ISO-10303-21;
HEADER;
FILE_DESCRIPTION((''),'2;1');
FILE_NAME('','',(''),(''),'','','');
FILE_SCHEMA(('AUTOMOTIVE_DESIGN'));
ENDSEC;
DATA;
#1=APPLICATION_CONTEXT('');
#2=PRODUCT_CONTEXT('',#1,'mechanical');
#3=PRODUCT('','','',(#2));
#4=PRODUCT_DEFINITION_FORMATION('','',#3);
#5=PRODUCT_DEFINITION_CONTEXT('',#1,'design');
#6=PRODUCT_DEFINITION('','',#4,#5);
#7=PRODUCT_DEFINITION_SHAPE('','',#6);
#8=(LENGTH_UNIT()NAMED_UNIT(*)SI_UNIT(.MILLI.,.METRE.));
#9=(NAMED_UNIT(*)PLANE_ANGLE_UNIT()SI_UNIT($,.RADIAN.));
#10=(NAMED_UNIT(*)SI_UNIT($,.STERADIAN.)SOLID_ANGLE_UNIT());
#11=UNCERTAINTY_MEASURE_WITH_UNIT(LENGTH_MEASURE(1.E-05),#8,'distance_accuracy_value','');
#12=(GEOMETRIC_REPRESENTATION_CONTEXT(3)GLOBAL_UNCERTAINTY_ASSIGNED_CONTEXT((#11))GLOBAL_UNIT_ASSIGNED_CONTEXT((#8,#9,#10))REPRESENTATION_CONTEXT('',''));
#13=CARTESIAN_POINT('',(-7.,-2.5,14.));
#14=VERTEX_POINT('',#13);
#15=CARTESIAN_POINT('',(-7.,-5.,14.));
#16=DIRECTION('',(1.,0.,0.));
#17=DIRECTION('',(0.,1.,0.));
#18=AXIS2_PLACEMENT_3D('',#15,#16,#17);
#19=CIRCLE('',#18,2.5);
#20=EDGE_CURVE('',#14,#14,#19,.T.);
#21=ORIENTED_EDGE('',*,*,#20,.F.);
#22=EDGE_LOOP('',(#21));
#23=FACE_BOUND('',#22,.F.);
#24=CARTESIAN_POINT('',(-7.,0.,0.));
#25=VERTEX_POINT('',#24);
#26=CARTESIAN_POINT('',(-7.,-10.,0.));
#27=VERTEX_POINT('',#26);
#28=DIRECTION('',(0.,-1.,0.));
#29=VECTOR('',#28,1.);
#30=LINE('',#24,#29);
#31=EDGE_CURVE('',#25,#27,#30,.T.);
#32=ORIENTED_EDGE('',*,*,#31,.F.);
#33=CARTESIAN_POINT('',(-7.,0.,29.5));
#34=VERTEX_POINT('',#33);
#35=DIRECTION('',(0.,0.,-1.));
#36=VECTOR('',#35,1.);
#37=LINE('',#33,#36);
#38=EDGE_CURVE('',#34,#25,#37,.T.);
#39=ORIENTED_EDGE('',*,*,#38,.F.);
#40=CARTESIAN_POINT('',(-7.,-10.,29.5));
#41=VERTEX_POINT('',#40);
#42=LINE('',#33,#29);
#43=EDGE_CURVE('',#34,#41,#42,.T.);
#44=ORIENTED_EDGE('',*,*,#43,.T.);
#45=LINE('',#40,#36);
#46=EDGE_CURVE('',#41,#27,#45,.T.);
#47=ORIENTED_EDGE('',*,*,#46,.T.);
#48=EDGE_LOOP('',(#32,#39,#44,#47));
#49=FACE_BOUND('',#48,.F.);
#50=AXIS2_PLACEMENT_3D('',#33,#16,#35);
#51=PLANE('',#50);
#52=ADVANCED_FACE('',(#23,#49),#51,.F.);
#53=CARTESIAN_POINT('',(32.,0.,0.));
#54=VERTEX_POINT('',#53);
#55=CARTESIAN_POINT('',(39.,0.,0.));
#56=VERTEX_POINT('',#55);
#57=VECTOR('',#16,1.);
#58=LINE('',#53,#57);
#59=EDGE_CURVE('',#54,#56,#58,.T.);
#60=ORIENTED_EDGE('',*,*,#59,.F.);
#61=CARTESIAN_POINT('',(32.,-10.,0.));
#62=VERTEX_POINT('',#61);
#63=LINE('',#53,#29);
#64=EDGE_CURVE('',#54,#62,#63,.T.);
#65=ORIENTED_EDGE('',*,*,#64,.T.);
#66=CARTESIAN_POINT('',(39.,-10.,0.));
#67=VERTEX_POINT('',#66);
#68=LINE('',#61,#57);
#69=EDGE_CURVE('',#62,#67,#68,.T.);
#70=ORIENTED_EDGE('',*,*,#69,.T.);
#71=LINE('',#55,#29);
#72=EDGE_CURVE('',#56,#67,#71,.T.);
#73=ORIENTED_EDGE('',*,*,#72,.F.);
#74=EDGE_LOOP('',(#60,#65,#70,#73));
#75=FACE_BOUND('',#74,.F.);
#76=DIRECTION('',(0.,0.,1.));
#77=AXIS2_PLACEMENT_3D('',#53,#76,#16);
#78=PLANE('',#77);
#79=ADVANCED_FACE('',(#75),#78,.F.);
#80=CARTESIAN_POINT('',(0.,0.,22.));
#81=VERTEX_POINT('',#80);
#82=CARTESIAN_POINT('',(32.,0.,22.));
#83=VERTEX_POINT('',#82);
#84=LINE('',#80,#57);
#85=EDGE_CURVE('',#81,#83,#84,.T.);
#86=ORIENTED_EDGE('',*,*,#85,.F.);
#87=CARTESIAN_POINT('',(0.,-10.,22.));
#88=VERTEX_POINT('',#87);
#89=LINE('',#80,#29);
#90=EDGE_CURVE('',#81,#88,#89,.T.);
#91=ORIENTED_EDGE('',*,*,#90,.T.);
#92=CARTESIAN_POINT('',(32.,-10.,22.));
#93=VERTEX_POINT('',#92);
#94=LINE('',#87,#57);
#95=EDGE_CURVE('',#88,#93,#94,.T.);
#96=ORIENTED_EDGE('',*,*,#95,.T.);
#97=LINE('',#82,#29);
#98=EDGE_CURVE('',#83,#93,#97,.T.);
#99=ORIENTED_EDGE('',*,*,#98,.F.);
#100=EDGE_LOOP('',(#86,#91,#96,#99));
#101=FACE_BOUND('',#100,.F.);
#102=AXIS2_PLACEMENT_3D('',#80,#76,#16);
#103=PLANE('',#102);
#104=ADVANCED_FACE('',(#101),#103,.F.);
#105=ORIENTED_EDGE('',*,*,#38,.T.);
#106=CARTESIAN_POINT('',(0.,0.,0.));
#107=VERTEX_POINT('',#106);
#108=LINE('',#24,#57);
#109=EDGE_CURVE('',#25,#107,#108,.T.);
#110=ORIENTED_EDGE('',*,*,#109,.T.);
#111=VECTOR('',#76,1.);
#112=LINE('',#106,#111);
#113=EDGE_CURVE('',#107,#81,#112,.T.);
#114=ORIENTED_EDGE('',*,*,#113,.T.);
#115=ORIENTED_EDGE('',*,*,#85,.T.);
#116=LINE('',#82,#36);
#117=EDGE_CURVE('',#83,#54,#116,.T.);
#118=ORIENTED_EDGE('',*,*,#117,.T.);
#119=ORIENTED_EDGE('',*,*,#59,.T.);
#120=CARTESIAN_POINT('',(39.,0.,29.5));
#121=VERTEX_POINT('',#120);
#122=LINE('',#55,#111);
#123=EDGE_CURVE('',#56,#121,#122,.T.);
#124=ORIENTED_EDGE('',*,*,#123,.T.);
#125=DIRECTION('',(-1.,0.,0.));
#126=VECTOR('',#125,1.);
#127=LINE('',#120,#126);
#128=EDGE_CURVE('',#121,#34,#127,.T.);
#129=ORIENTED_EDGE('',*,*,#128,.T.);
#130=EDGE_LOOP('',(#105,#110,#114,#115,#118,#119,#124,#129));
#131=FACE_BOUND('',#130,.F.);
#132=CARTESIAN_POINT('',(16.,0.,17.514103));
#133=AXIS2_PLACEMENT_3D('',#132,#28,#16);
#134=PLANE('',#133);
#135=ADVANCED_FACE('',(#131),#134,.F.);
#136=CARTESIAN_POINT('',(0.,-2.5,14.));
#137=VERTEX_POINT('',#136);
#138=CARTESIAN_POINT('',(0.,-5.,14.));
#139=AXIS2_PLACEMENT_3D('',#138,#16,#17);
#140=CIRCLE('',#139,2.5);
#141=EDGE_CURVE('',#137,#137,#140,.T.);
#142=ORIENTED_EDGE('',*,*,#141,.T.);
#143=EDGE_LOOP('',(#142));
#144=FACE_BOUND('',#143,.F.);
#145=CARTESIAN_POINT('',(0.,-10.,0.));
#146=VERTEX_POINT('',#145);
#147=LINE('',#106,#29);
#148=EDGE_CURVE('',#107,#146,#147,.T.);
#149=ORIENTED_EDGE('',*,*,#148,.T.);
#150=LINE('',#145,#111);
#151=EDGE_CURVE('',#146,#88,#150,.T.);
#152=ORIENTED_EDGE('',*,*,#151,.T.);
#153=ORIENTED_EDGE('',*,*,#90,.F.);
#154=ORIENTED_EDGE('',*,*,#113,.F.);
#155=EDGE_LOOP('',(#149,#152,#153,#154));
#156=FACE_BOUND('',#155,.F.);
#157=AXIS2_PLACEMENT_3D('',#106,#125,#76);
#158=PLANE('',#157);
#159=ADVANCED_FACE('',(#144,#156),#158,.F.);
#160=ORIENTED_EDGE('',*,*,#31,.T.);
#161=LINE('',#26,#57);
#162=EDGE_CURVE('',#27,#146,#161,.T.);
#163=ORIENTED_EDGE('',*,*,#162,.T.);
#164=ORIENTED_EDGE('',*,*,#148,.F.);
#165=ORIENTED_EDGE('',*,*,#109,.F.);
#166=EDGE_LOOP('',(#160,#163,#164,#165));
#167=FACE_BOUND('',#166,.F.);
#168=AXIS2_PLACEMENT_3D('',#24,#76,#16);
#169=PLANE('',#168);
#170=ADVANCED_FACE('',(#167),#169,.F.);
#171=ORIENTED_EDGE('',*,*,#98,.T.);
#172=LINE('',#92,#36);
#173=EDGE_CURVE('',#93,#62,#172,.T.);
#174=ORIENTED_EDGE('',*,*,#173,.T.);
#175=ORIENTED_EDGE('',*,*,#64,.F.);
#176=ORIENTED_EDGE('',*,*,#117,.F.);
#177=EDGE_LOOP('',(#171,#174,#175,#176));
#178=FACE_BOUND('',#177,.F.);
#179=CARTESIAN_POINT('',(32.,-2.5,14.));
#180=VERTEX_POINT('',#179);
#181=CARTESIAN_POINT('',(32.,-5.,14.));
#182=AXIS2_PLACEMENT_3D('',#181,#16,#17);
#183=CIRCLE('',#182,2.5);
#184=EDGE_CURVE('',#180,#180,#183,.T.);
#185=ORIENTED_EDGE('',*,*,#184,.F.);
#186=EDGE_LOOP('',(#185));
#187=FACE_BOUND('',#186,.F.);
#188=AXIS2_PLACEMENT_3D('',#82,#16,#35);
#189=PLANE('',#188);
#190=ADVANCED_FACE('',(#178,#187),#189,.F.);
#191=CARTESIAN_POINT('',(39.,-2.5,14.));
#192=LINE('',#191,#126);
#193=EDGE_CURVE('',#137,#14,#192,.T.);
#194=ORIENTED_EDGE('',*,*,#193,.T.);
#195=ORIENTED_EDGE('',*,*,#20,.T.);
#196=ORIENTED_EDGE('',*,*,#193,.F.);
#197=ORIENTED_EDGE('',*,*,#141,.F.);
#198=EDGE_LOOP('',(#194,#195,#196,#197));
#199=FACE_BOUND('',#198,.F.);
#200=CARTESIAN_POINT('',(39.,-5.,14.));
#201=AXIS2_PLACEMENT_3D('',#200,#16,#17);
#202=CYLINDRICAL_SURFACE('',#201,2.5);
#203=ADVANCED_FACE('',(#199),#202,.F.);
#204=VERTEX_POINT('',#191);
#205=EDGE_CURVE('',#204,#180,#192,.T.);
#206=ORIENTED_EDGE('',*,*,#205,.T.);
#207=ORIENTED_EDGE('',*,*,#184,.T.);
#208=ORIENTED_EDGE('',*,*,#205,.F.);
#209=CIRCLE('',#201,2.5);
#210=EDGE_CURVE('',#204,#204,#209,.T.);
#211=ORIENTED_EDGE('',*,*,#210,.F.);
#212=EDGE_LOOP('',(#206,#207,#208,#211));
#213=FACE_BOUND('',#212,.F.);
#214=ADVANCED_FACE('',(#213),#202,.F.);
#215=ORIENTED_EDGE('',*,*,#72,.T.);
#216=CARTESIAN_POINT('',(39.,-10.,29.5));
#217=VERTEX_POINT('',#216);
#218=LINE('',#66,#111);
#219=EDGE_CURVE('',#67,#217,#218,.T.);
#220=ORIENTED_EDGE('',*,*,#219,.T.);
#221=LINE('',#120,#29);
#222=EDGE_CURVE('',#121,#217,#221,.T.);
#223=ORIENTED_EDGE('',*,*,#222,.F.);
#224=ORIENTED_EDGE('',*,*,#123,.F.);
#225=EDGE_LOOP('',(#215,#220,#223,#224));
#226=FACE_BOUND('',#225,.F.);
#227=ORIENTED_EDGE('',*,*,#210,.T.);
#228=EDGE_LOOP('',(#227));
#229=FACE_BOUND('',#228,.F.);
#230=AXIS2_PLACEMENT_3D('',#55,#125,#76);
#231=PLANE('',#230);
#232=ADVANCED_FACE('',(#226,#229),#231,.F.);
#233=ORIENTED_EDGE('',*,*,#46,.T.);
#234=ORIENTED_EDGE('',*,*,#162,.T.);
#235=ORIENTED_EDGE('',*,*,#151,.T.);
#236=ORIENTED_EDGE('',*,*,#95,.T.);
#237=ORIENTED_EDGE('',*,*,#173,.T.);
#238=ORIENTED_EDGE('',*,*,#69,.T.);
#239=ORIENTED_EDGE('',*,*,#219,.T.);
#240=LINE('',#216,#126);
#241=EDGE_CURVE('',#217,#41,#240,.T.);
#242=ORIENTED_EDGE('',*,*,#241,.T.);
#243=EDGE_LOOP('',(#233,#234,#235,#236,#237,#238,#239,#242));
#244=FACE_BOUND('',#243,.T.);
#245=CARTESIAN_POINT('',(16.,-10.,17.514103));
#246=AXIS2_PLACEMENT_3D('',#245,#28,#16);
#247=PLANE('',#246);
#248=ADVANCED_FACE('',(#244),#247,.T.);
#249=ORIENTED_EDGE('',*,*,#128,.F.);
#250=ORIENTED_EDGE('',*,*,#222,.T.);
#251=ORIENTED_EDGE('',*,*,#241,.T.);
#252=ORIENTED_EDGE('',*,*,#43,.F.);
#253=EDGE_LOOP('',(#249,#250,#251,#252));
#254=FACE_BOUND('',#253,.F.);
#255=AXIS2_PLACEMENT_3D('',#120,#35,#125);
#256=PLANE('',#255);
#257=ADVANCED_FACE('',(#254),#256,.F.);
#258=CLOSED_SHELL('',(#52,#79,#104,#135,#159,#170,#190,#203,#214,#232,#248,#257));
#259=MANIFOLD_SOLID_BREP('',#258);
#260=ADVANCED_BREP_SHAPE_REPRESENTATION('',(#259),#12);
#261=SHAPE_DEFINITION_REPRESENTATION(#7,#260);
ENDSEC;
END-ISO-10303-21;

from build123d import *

# Parameters (mm, degrees)
F1_DEPTH = 10
F2_R     = 2.5
F3_DEPTH = 46


with BuildPart() as f1:
    # F0 (on Front) → F1 (new body)
    with BuildSketch(Plane.XZ):
        Polygon((-7, 0), (0, 0), (0, 22), (32, 22), (32, 0), (39, 0), (39, 29.5), (-7, 29.5), align=None)
    extrude(amount=F1_DEPTH)

    # F2 (on face) → F3 (cut, through all)
    with BuildSketch(Plane.YZ.offset(39)):
        with Locations((-5, 14)):
            Circle(F2_R)
    extrude(amount=-F3_DEPTH, mode=Mode.SUBTRACT)


solid = f1.part
